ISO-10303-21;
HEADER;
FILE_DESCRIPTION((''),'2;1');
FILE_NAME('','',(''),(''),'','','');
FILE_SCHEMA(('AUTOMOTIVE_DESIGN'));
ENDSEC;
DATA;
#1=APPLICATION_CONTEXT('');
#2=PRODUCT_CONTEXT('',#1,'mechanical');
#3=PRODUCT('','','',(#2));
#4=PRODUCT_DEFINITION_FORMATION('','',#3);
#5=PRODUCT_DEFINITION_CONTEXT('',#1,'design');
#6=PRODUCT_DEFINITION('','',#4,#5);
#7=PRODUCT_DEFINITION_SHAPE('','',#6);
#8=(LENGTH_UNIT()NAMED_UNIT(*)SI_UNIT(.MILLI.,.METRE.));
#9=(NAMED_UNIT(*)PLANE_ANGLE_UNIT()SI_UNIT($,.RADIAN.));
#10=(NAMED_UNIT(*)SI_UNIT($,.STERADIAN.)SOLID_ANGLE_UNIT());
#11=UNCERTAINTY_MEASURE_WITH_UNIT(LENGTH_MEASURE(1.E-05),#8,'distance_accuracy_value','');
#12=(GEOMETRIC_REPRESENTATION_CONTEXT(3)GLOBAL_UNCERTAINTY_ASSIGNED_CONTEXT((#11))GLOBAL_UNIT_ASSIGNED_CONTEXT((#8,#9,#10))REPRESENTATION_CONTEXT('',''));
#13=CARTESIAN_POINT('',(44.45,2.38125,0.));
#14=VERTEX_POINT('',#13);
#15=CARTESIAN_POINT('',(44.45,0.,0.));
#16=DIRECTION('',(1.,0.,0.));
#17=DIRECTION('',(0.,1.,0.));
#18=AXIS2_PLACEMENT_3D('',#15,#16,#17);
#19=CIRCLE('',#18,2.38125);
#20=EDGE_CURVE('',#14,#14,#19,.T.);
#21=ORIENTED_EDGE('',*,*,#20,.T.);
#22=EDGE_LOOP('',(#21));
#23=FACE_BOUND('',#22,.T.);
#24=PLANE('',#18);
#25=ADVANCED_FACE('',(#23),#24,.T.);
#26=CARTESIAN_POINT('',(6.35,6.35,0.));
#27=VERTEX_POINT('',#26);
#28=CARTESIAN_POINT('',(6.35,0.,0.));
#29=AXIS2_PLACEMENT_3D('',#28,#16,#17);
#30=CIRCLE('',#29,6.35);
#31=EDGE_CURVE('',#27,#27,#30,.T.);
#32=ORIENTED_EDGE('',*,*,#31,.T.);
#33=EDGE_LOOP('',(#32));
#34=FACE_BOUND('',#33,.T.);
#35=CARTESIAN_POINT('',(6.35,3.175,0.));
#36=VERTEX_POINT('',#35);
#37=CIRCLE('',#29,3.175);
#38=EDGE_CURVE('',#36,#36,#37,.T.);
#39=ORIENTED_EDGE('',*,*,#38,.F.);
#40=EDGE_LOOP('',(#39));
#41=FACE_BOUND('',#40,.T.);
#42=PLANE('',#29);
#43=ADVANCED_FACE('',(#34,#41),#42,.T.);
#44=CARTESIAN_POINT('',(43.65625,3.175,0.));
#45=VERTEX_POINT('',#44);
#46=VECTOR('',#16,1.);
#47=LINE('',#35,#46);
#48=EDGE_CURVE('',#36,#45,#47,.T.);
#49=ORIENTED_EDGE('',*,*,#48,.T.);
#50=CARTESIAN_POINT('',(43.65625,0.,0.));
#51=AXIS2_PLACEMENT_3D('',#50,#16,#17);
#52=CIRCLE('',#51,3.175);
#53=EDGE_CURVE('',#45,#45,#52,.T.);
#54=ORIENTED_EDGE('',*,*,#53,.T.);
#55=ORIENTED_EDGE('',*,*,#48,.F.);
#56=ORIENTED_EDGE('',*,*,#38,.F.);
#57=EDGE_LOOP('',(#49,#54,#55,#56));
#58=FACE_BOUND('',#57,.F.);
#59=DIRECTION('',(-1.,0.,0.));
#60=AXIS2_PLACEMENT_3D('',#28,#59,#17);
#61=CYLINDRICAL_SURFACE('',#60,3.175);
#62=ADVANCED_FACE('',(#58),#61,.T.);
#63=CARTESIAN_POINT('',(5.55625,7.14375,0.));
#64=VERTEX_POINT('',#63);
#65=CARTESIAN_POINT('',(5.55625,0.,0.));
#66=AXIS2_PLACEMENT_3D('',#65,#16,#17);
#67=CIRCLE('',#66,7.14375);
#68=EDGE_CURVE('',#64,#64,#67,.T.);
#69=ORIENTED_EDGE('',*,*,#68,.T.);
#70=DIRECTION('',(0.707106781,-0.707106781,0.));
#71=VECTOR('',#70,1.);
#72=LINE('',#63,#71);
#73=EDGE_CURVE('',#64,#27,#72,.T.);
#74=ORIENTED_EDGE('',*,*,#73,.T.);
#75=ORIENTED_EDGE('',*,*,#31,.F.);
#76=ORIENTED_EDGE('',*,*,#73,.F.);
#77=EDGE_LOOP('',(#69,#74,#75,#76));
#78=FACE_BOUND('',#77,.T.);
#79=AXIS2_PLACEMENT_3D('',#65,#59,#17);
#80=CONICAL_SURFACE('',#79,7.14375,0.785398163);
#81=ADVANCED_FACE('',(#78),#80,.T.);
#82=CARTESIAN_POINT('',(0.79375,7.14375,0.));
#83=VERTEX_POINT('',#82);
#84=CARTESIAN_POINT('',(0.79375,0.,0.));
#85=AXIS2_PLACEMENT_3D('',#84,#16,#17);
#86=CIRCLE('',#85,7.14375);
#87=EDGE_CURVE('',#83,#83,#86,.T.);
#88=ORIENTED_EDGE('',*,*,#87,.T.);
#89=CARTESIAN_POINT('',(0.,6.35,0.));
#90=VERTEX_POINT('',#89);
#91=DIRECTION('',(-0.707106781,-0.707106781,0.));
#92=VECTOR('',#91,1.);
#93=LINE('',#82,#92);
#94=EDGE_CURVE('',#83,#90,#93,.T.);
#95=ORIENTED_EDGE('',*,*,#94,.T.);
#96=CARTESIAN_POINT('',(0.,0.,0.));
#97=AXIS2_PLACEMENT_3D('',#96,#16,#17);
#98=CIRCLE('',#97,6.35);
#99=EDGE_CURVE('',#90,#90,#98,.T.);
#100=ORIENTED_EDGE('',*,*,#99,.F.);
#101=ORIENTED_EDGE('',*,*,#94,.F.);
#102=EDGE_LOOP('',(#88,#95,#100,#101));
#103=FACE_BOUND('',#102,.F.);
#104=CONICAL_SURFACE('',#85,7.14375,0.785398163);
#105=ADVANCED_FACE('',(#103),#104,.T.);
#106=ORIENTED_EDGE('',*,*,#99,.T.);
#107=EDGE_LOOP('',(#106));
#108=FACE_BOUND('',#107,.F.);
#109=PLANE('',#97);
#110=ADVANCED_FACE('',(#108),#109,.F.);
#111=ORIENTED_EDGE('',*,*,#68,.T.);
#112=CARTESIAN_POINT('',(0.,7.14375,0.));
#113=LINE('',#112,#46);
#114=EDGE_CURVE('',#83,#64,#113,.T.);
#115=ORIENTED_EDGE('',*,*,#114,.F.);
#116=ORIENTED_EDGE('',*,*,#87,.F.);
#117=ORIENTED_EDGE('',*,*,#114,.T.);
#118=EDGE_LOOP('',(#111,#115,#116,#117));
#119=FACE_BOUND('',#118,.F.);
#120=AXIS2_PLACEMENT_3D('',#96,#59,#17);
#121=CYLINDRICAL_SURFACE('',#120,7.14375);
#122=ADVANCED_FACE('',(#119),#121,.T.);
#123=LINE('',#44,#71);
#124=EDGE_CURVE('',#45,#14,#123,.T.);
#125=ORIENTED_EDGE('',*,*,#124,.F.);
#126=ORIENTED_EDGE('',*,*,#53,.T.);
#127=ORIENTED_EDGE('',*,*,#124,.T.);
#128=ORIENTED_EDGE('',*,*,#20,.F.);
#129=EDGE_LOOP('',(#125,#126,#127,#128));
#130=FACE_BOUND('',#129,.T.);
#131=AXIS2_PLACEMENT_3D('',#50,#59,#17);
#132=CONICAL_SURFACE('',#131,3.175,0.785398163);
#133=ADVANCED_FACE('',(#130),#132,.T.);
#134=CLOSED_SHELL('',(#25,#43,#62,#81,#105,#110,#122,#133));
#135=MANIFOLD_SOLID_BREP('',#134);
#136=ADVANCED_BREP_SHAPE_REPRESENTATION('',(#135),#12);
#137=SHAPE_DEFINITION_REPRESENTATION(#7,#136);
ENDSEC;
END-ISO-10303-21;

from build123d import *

# Parameters (mm, degrees)
F0_R     = 7.14375
F1_DEPTH = 6.35
F2_R     = 3.175
F3_DEPTH = 38.1
F4_SIZE  = 0.79375


with BuildPart() as f1:
    # F0 (on Right) → F1 (new body)
    with BuildSketch(Plane.YZ):
        Circle(F0_R)
    extrude(amount=F1_DEPTH)

    # F2 (on face) → F3 (join)
    with BuildSketch(Plane.YZ.offset(6.35)):
        Circle(F2_R)
    extrude(amount=F3_DEPTH)

    # F4
    f4_edges = [f1.edges().sort_by_distance(p)[0] for p in [
        (6.35, -7.14375, 0),
        (0, -7.14375, 0),
        (44.45, -3.175, 0),
    ]]
    chamfer(f4_edges, length=F4_SIZE)


solid = f1.part
